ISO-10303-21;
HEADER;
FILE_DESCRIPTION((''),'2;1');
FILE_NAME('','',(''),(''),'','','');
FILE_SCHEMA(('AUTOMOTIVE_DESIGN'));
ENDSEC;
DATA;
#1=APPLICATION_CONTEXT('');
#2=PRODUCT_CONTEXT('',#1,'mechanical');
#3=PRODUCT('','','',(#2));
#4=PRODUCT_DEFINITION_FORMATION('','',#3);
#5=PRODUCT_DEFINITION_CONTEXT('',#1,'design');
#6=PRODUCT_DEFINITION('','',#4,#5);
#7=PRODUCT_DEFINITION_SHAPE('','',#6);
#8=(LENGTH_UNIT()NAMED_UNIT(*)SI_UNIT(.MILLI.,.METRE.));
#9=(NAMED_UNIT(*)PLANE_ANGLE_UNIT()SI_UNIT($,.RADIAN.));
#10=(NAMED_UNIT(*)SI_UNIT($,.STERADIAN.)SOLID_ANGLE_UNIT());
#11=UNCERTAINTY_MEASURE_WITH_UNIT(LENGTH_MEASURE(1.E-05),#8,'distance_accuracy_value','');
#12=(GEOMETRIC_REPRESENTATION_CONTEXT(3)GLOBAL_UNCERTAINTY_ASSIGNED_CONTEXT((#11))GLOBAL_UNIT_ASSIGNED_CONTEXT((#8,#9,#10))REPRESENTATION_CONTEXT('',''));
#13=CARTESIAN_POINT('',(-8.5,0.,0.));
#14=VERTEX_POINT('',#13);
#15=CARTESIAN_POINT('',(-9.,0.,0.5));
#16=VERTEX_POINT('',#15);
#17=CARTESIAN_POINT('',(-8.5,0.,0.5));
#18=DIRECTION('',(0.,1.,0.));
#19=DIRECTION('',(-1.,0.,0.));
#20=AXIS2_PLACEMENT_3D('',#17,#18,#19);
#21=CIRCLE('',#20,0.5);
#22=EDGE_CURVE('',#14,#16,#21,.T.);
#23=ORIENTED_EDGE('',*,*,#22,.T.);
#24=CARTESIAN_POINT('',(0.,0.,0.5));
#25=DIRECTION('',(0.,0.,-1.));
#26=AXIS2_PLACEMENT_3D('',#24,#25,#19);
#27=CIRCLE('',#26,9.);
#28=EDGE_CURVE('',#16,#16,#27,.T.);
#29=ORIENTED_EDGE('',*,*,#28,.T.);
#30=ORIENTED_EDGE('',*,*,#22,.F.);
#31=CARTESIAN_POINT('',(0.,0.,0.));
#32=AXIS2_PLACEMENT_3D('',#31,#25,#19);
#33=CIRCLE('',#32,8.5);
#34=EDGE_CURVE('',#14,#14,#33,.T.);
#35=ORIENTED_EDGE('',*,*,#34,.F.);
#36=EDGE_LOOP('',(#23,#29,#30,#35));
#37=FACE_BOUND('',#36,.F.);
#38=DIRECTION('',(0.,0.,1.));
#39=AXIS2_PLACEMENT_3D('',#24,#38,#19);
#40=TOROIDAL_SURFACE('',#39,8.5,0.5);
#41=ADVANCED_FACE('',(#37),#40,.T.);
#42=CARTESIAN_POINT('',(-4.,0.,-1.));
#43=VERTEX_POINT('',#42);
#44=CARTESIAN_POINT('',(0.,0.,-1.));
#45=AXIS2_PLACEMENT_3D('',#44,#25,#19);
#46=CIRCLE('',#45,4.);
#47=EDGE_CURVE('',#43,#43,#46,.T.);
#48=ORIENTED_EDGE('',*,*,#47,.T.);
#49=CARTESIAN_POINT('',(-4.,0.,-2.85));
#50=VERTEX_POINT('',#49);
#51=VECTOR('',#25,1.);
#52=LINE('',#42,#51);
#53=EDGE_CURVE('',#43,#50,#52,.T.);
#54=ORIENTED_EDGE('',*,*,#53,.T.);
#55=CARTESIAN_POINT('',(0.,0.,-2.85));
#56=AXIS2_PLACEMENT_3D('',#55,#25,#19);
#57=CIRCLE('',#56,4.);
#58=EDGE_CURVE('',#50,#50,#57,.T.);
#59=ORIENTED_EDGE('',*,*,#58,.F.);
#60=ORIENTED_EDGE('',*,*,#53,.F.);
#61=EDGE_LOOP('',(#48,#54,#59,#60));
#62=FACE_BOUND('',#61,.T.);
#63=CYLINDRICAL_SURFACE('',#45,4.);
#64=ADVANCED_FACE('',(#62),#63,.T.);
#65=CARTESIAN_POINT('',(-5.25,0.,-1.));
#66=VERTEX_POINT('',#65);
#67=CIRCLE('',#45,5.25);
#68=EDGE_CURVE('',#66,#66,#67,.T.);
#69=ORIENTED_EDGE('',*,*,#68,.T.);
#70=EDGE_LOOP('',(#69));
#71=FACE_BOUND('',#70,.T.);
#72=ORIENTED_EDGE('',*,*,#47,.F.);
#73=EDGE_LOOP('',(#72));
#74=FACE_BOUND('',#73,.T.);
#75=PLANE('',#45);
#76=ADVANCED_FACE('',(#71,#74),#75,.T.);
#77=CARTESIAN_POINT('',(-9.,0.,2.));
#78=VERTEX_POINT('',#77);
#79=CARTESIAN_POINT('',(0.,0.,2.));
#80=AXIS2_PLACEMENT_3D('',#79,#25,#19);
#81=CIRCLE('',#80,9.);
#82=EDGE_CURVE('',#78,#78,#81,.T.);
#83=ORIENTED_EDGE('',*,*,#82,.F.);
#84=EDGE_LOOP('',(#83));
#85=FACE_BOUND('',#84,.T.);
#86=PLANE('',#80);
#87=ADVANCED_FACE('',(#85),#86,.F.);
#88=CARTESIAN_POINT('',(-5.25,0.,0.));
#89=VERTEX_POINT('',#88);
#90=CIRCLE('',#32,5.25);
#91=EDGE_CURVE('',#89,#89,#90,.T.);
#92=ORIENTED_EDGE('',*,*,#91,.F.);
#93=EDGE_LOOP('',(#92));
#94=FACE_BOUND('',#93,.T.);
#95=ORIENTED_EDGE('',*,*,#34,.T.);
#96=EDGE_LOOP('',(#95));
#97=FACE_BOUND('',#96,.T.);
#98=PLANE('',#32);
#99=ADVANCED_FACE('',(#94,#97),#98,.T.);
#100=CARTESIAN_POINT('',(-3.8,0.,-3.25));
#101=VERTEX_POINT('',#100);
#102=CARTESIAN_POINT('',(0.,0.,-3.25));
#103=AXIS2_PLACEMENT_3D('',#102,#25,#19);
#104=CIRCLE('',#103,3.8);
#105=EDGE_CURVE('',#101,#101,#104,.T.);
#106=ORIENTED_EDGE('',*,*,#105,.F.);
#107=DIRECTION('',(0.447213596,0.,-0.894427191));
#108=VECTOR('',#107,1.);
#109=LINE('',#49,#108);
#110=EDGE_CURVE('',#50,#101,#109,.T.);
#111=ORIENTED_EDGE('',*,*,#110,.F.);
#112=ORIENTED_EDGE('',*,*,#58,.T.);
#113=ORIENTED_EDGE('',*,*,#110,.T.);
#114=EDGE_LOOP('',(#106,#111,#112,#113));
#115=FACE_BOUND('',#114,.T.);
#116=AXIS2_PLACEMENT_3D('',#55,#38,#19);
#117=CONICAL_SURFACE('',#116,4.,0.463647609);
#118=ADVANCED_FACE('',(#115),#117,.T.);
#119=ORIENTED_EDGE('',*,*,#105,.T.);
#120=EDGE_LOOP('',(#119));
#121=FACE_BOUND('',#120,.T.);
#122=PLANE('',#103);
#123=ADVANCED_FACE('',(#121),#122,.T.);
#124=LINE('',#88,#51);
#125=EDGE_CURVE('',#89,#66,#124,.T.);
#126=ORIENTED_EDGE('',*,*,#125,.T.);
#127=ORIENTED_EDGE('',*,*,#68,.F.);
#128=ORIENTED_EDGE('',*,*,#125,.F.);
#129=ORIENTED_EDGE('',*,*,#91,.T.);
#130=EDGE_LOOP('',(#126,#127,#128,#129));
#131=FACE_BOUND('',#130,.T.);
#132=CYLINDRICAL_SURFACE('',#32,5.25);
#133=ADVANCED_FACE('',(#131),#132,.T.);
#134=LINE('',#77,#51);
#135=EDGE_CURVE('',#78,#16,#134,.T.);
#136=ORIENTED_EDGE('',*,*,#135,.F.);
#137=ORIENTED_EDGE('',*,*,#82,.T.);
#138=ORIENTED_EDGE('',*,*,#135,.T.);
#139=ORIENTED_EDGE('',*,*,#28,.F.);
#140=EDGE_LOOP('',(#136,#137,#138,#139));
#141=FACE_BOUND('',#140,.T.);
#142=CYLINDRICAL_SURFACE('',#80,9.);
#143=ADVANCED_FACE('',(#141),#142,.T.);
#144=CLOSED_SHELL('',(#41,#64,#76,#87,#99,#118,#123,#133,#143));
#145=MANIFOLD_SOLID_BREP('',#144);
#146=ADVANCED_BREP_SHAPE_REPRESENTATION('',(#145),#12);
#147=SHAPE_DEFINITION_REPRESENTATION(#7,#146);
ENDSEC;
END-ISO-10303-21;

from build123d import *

# Parameters (mm, degrees)
F2_SIZE2 = 0.2
F2_SIZE  = 0.4
F3_R     = 0.5


with BuildPart() as f1:
    # F0 (on Front) → F1 (revolve)
    with BuildSketch(Plane.XZ):
        Polygon((0, -3.25), (0, 2), (-9, 2), (-9, 0), (-5.25, 0), (-5.25, -1), (-4, -1), (-4, -3.25), align=None)
    revolve(axis=Axis((0, 0, -0.625), (0, 0, -1)))

    # F2
    f2_edges = [f1.edges().sort_by_distance(p)[0] for p in [
        (4, 0, -3.25),
    ]]
    chamfer(f2_edges, length=F2_SIZE, length2=F2_SIZE2)

    # F3
    f3_edges = [f1.edges().sort_by_distance(p)[0] for p in [
        (9, 0, 0),
    ]]
    fillet(f3_edges, radius=F3_R)


solid = f1.part
